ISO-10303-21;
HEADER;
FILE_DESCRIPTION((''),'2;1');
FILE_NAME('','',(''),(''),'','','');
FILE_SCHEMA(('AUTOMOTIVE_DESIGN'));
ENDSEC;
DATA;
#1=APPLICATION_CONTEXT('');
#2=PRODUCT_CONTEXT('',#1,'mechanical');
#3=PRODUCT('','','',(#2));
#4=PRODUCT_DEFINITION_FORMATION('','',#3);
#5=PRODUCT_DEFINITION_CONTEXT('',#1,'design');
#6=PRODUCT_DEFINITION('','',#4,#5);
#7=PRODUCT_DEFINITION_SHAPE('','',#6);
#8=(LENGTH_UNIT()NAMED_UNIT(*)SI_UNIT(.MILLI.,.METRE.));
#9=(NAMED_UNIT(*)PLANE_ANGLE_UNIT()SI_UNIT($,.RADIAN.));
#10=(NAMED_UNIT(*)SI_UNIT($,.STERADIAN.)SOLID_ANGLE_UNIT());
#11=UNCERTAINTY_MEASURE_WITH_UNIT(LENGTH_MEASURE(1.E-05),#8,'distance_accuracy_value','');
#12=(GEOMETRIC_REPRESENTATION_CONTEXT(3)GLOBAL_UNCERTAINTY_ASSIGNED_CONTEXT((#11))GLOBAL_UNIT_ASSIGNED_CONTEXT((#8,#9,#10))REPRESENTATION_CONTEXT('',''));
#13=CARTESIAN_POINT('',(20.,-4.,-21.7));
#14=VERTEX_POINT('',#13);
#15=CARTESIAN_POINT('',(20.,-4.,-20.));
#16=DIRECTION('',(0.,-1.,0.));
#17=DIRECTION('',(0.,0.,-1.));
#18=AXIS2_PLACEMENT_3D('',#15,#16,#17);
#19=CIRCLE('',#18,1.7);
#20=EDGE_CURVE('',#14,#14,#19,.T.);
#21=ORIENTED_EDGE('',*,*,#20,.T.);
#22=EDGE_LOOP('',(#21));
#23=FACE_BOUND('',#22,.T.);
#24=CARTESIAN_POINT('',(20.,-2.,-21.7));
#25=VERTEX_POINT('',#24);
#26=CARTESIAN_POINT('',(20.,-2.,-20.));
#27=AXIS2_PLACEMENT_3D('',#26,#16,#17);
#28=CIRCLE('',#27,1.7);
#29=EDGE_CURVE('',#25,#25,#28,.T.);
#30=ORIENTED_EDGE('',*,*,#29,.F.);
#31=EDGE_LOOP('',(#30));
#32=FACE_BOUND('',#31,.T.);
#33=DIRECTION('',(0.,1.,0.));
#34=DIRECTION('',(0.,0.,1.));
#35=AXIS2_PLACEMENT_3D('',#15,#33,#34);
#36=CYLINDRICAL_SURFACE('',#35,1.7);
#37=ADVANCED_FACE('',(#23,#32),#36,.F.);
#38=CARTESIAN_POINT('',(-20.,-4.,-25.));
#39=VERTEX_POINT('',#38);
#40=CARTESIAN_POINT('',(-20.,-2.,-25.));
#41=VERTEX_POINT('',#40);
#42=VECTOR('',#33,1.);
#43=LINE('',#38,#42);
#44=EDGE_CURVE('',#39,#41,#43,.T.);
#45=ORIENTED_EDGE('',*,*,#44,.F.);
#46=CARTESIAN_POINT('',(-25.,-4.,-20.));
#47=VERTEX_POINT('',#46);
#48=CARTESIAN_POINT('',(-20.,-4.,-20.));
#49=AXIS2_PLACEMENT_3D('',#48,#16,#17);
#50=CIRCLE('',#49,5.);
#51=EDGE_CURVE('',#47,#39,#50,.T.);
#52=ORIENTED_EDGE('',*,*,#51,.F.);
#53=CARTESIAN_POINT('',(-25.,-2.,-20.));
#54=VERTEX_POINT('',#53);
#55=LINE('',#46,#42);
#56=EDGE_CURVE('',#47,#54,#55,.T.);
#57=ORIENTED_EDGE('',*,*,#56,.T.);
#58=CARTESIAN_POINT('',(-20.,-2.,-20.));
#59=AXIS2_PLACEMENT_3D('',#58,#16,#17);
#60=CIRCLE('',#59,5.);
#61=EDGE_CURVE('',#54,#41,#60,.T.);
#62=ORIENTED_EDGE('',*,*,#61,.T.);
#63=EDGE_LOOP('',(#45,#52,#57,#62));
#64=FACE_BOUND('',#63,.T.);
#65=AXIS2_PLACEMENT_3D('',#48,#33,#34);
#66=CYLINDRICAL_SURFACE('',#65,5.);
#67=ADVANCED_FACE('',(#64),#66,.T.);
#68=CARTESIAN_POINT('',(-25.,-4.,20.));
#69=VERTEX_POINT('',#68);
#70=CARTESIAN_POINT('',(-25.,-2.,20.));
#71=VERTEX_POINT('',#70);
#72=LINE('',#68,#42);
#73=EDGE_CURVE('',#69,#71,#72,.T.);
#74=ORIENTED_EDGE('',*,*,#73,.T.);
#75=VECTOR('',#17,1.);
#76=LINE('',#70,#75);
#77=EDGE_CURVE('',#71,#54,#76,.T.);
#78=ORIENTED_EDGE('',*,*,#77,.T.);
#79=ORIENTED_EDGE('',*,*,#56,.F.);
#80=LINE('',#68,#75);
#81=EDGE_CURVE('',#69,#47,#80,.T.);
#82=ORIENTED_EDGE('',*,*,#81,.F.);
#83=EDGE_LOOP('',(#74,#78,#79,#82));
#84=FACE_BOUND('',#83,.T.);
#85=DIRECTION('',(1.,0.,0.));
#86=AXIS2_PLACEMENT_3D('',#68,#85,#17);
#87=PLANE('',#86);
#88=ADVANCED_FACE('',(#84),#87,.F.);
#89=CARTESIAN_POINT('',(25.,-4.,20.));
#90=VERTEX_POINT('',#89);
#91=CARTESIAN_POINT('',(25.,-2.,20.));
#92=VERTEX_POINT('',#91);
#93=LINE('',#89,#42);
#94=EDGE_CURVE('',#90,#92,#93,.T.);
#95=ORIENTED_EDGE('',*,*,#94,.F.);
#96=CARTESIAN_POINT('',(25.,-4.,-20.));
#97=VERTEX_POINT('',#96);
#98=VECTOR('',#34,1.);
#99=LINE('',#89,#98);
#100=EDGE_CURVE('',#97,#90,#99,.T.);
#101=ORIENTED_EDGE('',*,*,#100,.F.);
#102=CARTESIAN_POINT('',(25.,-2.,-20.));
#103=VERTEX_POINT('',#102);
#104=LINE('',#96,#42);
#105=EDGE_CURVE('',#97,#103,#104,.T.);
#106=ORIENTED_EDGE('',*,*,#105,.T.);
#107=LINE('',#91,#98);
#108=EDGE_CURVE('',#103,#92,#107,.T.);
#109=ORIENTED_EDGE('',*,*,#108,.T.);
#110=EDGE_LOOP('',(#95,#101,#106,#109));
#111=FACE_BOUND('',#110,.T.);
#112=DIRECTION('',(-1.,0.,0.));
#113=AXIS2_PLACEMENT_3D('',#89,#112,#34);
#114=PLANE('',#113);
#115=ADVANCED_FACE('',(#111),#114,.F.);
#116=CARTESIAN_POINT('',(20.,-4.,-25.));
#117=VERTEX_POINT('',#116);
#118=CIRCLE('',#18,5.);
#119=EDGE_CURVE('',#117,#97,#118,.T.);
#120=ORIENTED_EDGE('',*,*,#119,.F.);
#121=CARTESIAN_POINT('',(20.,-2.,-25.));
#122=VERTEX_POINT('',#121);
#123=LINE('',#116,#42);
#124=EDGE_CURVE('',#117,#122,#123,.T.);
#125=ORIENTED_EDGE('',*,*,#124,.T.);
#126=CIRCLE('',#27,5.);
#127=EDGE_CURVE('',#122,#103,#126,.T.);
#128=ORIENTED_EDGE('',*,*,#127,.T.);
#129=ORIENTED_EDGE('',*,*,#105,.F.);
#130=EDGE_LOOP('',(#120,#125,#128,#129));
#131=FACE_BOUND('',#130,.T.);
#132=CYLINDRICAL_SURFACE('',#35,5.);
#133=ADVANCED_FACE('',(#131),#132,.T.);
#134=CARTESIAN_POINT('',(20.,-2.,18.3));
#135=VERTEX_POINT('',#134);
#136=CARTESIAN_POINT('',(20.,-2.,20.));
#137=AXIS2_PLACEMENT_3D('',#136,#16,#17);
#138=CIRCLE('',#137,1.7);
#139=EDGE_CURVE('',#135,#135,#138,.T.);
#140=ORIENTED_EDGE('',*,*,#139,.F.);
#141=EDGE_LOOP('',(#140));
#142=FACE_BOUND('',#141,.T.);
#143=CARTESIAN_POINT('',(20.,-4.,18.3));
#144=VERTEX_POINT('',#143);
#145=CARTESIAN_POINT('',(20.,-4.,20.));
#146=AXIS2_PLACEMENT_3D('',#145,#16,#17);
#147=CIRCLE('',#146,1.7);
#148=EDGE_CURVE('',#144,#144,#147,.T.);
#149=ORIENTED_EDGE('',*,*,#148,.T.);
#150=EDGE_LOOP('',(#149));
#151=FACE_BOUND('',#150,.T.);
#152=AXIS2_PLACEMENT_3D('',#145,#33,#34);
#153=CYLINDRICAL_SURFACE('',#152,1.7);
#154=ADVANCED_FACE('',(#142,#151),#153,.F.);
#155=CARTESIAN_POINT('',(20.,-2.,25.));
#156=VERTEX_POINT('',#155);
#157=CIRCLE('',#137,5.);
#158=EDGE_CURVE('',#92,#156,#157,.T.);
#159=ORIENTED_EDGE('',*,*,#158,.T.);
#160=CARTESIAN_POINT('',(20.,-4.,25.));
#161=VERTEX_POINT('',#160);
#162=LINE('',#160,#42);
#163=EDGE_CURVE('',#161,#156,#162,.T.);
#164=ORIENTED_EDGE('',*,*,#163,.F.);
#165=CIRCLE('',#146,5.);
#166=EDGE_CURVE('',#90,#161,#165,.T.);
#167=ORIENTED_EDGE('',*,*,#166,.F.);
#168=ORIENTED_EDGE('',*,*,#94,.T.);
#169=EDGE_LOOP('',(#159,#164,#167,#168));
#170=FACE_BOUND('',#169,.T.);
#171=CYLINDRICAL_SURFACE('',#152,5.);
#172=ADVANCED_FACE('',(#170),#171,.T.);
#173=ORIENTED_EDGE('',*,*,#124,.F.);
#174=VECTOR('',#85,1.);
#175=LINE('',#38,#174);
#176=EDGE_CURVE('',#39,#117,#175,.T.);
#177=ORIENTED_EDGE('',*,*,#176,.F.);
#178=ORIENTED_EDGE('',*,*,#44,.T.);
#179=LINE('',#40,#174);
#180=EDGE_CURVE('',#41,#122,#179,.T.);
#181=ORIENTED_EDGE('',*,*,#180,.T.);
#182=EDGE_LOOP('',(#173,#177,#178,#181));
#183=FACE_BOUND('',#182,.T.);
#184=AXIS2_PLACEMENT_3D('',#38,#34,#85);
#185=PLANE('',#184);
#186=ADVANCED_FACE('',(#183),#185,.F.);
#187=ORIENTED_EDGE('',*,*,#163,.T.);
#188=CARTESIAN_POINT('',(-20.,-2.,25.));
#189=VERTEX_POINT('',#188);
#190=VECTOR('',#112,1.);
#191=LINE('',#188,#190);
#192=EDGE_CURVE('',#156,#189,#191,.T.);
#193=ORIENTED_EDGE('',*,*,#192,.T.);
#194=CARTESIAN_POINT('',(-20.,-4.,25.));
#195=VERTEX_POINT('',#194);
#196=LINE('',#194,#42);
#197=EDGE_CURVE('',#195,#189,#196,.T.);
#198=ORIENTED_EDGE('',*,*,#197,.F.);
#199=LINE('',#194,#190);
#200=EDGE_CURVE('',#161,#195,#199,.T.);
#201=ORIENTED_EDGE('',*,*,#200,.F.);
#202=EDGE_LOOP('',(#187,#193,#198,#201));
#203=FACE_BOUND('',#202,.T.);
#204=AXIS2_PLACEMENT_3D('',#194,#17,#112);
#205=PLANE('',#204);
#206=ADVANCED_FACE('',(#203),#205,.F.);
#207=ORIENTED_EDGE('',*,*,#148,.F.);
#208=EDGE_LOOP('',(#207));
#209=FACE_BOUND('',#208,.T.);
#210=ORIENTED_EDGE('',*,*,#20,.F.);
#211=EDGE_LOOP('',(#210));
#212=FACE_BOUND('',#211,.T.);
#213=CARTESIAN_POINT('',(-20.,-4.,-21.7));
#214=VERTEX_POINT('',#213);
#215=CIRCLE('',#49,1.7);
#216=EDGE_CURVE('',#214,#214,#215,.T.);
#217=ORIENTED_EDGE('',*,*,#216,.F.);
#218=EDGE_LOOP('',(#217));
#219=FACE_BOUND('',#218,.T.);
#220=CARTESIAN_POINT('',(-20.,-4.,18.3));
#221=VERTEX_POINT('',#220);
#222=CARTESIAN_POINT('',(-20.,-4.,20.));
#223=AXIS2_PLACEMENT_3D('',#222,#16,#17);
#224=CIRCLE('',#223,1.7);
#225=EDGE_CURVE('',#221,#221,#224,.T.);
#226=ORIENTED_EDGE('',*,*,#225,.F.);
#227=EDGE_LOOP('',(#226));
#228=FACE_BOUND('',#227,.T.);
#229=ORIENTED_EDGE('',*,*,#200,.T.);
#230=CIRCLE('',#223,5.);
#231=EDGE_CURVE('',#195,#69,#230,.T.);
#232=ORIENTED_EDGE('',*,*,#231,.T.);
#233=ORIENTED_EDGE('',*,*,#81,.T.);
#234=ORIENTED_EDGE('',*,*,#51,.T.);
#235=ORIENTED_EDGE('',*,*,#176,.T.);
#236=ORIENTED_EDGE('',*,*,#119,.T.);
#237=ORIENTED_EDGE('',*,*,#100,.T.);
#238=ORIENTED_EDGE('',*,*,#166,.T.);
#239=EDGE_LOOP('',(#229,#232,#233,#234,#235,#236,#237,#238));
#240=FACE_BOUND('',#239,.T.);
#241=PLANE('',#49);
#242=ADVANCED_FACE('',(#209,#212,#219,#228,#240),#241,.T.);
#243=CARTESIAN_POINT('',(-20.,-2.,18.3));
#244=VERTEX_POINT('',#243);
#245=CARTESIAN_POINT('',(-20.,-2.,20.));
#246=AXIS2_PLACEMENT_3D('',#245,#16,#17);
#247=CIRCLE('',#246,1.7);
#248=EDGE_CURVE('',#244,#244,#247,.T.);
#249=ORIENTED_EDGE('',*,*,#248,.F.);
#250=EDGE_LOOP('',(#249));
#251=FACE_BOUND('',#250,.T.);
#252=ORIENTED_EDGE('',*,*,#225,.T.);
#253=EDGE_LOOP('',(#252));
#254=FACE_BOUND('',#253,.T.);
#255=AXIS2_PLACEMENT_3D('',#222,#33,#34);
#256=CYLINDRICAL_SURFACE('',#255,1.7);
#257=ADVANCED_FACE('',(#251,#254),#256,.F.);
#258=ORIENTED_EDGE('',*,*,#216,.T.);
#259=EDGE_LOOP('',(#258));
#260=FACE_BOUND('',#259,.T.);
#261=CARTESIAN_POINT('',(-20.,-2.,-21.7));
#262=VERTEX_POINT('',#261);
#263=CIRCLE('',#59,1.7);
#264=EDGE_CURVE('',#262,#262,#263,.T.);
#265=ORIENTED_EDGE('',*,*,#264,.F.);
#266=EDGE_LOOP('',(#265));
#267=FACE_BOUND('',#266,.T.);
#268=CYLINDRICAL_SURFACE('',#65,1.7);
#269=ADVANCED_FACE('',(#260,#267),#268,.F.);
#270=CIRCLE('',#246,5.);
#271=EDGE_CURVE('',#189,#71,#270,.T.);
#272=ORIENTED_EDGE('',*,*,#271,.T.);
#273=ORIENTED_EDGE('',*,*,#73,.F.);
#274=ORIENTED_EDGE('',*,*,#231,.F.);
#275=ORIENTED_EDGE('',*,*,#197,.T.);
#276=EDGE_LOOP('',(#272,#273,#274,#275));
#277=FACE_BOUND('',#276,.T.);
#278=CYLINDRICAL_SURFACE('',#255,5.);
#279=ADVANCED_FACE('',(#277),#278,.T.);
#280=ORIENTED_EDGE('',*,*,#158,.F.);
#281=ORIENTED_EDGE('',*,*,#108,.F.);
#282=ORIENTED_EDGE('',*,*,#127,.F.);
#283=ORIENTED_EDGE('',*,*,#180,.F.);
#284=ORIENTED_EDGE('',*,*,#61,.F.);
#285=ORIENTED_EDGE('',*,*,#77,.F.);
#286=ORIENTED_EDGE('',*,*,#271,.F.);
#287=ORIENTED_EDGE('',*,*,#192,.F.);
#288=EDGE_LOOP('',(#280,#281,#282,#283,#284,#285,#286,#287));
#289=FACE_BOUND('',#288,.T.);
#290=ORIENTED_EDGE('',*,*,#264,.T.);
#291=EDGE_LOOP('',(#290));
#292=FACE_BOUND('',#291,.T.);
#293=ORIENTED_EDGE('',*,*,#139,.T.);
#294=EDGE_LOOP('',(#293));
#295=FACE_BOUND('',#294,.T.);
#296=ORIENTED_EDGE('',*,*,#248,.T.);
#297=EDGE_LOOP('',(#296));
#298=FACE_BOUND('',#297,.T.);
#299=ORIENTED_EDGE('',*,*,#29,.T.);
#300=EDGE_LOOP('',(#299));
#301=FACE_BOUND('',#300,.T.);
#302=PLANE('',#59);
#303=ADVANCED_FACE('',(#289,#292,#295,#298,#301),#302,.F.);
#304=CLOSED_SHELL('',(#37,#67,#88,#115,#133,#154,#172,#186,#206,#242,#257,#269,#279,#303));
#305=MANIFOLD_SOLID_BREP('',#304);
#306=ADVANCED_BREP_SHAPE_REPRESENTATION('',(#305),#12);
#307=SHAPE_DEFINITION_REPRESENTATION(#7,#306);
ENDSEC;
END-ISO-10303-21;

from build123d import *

# Parameters (mm, degrees)
SKETCH1_R           = 1.7
BOSS_EXTRUDE1_DEPTH = 2


with BuildPart() as part:
    # Sketch1 → Boss-Extrude1 (new body)
    with BuildSketch(Plane(origin=(0, -2, 0), x_dir=(-1, 0, 0), z_dir=(0, -1, 0))):
        with BuildLine():
            Line((25, -20), (25, 20))
            ThreePointArc((25, 20), (23.535533906, 23.535533906), (20, 25))
            Line((20, 25), (-20, 25))
            ThreePointArc((-20, 25), (-23.535533906, 23.535533906), (-25, 20))
            Line((-25, 20), (-25, -20))
            ThreePointArc((-25, -20), (-23.535533906, -23.535533906), (-20, -25))
            Line((-20, -25), (20, -25))
            ThreePointArc((20, -25), (23.535533906, -23.535533906), (25, -20))
        make_face()
        with Locations((20, -20)):
            Circle(SKETCH1_R, mode=Mode.SUBTRACT)
        with Locations((-20, -20)):
            Circle(SKETCH1_R, mode=Mode.SUBTRACT)
        with Locations((20, 20)):
            Circle(SKETCH1_R, mode=Mode.SUBTRACT)
        with Locations((-20, 20)):
            Circle(SKETCH1_R, mode=Mode.SUBTRACT)
    extrude(amount=BOSS_EXTRUDE1_DEPTH)


solid = part.part
